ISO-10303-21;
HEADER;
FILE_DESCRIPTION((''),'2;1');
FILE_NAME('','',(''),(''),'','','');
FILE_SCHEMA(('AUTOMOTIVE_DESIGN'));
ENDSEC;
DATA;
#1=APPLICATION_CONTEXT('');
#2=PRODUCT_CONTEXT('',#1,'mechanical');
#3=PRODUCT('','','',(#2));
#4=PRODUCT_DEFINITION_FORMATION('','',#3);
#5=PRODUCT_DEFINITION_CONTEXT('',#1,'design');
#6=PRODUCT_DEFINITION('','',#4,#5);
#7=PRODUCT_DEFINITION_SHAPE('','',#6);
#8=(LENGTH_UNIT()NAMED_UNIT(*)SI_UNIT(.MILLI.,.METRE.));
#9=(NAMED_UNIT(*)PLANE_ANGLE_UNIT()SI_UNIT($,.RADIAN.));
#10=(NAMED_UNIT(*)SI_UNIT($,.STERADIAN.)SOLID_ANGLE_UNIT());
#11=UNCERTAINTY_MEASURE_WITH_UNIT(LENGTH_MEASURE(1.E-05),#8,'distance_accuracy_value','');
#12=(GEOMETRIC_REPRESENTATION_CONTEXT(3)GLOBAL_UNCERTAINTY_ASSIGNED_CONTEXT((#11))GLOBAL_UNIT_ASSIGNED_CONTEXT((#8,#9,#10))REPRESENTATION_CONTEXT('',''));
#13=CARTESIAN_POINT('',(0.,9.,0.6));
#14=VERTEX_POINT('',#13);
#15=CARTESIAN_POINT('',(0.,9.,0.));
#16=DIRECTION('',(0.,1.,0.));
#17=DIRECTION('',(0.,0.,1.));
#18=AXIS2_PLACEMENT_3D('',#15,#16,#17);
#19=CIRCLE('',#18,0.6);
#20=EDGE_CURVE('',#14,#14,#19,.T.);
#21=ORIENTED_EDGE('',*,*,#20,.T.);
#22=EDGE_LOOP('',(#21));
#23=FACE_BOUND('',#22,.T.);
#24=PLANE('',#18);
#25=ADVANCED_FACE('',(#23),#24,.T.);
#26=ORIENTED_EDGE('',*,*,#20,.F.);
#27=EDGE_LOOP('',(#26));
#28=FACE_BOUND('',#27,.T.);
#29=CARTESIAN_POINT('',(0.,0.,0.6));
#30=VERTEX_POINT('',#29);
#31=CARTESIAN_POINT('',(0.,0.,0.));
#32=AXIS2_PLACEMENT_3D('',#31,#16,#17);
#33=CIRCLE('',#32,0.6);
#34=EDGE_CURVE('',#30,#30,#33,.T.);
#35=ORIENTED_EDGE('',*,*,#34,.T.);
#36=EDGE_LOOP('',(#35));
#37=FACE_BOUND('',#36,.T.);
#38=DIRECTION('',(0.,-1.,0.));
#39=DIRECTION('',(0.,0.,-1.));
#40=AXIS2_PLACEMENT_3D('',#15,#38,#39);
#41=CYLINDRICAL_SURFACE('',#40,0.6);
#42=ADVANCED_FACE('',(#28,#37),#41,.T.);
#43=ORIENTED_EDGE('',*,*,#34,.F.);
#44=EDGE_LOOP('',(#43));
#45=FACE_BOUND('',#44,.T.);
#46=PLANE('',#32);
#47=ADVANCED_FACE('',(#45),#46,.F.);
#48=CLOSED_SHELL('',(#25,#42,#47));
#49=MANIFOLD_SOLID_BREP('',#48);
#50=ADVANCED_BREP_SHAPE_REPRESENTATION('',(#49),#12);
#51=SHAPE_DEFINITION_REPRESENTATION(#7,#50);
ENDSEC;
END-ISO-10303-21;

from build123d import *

# Parameters (mm, degrees)
SKETCH_1_R      = 0.6
EXTRUDE_1_DEPTH = 9


with BuildPart() as part:
    # 草图1 → 凸台-拉伸1 (new body)
    with BuildSketch(Plane(origin=(0, 0, 0), x_dir=(1, 0, 0), z_dir=(0, 1, 0))):
        with Locations(Location((0, 0, 0), (0, 0, 270))):
            Circle(SKETCH_1_R)
    extrude(amount=EXTRUDE_1_DEPTH)


solid = part.part
